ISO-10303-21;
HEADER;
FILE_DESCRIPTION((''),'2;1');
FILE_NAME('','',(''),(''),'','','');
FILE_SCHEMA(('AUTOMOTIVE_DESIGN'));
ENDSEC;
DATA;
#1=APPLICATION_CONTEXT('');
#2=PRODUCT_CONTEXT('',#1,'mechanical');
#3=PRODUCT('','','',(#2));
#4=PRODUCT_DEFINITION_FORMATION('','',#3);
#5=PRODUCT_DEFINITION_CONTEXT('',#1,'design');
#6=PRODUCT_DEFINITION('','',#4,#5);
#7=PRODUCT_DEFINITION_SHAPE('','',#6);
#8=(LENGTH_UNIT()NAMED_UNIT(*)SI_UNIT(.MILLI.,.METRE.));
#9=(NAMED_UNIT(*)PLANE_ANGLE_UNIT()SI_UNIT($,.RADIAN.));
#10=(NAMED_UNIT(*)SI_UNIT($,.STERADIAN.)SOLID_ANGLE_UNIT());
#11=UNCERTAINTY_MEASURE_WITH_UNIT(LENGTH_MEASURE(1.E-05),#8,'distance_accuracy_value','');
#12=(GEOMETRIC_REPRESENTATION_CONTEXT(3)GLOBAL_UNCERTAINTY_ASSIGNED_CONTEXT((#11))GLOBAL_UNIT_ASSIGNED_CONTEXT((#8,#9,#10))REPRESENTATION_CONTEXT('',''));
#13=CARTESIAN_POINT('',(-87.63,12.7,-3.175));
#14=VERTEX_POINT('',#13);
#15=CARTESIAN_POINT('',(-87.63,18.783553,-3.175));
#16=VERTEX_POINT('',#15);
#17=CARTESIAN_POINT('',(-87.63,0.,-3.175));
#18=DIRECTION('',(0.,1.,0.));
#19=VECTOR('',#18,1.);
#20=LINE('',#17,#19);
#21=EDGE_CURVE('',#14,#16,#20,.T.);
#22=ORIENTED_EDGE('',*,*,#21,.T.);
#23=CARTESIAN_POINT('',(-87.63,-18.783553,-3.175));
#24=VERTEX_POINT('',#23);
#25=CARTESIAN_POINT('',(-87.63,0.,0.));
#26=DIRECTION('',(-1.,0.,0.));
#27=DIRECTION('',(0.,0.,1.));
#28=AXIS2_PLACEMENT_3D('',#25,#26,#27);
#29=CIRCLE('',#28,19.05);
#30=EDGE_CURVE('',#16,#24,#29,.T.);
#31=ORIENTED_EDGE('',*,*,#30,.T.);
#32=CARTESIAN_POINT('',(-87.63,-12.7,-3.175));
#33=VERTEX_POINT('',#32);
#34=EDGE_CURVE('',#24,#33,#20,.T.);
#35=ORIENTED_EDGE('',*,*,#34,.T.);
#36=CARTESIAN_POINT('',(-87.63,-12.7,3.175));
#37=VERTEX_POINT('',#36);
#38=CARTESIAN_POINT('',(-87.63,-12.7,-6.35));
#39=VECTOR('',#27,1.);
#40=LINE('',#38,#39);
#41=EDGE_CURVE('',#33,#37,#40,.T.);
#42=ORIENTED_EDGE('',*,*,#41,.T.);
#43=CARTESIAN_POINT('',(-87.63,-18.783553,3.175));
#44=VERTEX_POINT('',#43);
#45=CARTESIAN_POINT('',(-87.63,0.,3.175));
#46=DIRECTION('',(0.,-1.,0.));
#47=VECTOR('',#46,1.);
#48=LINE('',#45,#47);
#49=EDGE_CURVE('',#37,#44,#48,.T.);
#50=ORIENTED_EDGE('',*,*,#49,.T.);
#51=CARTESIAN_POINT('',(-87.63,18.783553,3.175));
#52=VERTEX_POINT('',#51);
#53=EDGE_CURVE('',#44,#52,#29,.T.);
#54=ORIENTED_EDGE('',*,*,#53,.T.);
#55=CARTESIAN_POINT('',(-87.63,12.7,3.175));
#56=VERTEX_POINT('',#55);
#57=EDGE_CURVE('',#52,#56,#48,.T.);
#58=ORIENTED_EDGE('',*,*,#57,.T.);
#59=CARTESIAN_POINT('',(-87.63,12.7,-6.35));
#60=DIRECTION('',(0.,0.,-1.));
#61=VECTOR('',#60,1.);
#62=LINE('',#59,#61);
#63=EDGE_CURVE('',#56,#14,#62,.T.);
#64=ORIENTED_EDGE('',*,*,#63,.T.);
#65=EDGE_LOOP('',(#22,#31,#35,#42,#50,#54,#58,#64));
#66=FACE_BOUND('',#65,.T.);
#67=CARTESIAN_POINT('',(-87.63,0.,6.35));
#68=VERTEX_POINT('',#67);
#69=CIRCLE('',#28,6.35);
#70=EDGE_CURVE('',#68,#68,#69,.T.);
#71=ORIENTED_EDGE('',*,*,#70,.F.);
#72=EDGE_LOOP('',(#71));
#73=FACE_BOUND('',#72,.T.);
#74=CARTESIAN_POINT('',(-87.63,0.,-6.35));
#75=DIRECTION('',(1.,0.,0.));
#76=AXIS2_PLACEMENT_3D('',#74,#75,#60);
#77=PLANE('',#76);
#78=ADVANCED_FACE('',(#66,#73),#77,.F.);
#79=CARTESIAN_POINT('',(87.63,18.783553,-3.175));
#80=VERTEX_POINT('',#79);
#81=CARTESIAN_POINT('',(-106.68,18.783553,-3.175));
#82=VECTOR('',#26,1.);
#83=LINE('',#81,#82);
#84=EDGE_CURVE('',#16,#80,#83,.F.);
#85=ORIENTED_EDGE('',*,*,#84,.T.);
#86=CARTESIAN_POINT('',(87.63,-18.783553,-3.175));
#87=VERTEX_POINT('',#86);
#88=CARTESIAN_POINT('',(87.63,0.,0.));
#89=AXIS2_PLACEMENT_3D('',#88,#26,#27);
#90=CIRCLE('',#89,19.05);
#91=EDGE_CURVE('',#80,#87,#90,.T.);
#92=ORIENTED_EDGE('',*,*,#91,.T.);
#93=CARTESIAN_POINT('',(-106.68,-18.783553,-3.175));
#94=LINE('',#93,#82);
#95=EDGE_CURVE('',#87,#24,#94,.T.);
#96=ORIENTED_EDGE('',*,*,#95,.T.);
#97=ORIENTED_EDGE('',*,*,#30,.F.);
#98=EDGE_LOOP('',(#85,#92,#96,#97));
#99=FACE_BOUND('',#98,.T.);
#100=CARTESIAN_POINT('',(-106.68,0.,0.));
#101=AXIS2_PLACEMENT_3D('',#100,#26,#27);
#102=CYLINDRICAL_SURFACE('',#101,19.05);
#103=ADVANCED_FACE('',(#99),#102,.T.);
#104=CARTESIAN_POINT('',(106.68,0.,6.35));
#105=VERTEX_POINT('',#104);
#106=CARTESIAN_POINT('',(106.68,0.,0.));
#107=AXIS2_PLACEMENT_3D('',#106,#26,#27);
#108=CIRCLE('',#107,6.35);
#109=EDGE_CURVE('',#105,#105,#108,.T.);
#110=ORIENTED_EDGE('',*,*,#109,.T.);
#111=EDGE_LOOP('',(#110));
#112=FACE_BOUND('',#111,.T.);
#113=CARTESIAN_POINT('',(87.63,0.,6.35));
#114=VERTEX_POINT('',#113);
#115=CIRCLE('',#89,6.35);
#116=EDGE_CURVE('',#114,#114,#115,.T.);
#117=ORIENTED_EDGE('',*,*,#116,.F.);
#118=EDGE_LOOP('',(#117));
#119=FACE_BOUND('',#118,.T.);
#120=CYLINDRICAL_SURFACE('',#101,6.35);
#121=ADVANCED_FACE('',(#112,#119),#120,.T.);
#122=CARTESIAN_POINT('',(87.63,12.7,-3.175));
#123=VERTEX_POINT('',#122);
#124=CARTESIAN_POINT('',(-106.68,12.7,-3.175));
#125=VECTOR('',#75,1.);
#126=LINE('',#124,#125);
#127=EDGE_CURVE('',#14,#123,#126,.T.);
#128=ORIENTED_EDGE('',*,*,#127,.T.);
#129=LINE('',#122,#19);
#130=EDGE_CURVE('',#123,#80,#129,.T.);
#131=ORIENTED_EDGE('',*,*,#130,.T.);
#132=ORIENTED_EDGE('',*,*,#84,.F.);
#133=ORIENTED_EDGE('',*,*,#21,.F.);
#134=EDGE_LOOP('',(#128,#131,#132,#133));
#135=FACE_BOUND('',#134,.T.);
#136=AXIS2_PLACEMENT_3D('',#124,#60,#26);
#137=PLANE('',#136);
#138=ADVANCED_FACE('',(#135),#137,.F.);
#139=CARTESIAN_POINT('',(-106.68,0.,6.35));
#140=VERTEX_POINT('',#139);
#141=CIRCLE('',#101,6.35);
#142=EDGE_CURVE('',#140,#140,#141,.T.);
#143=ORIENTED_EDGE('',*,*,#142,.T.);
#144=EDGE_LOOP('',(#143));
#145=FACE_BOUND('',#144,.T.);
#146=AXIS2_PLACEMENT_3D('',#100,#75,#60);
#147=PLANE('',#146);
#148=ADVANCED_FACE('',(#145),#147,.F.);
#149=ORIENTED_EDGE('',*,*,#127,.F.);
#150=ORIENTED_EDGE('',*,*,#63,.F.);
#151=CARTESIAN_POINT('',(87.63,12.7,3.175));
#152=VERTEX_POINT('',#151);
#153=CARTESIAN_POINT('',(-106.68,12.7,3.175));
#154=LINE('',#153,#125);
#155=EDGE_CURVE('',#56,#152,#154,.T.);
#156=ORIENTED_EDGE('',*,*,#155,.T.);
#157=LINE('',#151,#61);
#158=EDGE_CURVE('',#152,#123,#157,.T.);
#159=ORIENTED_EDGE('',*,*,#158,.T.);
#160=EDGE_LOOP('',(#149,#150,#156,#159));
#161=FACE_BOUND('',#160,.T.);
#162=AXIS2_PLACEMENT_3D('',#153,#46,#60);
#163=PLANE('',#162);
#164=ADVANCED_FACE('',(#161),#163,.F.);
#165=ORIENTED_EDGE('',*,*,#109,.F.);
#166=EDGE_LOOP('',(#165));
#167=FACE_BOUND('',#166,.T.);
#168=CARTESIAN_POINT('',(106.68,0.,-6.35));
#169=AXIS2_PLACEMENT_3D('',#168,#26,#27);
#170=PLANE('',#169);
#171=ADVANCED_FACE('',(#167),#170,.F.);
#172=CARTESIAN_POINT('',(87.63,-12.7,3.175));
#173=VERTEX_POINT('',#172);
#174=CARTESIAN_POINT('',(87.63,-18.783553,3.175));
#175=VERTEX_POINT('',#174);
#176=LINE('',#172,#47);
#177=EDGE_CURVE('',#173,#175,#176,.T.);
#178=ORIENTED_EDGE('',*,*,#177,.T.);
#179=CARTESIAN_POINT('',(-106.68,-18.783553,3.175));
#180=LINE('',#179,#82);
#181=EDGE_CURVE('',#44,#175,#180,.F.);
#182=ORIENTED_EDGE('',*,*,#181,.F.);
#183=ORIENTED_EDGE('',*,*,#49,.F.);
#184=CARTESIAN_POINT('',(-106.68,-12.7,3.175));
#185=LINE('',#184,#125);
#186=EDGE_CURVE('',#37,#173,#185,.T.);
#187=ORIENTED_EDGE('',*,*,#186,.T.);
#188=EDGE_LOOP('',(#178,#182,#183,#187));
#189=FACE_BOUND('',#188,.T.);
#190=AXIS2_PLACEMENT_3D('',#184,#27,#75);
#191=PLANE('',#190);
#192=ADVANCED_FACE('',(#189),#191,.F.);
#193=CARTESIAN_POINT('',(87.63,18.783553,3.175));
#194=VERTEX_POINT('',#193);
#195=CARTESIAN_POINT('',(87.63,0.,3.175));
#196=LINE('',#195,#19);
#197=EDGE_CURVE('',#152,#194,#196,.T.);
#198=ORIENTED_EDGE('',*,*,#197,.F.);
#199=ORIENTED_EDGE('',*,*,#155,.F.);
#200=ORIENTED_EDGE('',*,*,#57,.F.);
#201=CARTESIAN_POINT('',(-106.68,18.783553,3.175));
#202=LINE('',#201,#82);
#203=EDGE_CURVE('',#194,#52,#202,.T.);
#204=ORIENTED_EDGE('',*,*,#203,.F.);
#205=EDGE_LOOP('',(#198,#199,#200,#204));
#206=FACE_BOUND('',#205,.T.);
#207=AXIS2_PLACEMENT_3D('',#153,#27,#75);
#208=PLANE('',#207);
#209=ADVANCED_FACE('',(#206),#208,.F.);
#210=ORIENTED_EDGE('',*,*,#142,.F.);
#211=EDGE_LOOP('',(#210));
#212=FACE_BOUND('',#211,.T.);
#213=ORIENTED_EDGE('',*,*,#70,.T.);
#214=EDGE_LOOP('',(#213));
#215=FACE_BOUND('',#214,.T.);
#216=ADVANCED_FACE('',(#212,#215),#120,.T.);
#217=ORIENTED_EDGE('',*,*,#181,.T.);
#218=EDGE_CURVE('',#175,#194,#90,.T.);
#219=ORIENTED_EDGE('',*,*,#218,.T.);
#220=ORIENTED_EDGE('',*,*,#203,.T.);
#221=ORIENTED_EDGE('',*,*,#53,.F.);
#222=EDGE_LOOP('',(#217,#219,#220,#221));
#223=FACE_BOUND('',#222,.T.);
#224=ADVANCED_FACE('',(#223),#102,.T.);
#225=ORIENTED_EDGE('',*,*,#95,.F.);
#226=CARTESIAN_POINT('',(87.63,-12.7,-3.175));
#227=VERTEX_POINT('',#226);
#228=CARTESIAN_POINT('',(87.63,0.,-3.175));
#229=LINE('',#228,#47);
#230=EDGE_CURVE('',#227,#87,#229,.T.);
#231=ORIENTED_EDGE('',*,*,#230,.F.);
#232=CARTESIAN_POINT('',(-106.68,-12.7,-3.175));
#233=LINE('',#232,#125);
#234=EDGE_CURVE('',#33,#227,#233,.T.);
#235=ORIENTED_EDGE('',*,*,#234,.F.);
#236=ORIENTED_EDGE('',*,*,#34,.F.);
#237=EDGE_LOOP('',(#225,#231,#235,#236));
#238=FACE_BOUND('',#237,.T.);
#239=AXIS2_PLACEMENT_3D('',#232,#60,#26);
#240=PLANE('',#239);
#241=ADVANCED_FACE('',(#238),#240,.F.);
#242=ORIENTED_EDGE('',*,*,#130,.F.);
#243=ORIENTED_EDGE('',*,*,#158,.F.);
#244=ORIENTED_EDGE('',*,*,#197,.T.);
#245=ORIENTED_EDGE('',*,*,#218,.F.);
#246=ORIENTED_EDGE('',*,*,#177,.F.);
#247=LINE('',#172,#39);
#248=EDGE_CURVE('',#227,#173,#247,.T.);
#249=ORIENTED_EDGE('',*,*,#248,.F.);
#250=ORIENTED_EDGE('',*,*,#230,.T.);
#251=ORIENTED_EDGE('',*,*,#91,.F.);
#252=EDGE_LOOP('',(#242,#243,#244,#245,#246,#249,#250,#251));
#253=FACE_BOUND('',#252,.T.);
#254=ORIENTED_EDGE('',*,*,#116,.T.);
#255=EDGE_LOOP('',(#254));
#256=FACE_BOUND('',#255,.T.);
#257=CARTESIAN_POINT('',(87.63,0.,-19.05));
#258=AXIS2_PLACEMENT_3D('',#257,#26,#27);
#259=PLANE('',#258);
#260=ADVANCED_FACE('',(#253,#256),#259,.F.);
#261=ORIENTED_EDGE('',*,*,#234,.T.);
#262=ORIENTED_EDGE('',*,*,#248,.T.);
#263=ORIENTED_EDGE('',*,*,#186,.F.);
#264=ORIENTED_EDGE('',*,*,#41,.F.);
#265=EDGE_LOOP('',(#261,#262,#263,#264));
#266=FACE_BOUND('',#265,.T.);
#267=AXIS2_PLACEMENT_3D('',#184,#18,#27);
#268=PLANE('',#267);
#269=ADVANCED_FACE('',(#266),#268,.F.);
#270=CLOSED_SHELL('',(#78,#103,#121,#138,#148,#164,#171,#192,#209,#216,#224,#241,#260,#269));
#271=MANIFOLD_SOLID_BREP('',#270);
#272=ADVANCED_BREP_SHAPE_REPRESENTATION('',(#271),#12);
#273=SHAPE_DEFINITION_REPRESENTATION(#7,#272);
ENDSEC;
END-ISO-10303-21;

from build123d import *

# Parameters (mm, degrees)
SKETCH2_W          = 6.35
SKETCH2_H          = 6.35
CUT_EXTRUDE1_DEPTH = 195.31


with BuildPart() as part:
    # Sketch1 → Revolve1 (revolve)
    with BuildSketch(Plane(origin=(0, 0, 0), x_dir=(1, 0, 0), z_dir=(0, 1, 0))):
        Polygon((-106.68, 0), (106.68, 0), (106.68, 6.35), (87.63, 6.35), (87.63, 19.05), (-87.63, 19.05), (-87.63, 6.35), (-106.68, 6.35), align=None)
    revolve(axis=Axis((-106.68, 0, 0), (1, 0, 0)))

    # Sketch2 → Cut-Extrude1 (cut, through all)
    with BuildSketch(Plane(origin=(87.63, 0, 0), x_dir=(0, 0, -1), z_dir=(1, 0, 0))):
        with Locations((0, 15.875)):
            Rectangle(SKETCH2_W, SKETCH2_H)
        with Locations((0, -15.875)):
            Rectangle(SKETCH2_W, SKETCH2_H)
    extrude(amount=-CUT_EXTRUDE1_DEPTH, mode=Mode.SUBTRACT)


solid = part.part
